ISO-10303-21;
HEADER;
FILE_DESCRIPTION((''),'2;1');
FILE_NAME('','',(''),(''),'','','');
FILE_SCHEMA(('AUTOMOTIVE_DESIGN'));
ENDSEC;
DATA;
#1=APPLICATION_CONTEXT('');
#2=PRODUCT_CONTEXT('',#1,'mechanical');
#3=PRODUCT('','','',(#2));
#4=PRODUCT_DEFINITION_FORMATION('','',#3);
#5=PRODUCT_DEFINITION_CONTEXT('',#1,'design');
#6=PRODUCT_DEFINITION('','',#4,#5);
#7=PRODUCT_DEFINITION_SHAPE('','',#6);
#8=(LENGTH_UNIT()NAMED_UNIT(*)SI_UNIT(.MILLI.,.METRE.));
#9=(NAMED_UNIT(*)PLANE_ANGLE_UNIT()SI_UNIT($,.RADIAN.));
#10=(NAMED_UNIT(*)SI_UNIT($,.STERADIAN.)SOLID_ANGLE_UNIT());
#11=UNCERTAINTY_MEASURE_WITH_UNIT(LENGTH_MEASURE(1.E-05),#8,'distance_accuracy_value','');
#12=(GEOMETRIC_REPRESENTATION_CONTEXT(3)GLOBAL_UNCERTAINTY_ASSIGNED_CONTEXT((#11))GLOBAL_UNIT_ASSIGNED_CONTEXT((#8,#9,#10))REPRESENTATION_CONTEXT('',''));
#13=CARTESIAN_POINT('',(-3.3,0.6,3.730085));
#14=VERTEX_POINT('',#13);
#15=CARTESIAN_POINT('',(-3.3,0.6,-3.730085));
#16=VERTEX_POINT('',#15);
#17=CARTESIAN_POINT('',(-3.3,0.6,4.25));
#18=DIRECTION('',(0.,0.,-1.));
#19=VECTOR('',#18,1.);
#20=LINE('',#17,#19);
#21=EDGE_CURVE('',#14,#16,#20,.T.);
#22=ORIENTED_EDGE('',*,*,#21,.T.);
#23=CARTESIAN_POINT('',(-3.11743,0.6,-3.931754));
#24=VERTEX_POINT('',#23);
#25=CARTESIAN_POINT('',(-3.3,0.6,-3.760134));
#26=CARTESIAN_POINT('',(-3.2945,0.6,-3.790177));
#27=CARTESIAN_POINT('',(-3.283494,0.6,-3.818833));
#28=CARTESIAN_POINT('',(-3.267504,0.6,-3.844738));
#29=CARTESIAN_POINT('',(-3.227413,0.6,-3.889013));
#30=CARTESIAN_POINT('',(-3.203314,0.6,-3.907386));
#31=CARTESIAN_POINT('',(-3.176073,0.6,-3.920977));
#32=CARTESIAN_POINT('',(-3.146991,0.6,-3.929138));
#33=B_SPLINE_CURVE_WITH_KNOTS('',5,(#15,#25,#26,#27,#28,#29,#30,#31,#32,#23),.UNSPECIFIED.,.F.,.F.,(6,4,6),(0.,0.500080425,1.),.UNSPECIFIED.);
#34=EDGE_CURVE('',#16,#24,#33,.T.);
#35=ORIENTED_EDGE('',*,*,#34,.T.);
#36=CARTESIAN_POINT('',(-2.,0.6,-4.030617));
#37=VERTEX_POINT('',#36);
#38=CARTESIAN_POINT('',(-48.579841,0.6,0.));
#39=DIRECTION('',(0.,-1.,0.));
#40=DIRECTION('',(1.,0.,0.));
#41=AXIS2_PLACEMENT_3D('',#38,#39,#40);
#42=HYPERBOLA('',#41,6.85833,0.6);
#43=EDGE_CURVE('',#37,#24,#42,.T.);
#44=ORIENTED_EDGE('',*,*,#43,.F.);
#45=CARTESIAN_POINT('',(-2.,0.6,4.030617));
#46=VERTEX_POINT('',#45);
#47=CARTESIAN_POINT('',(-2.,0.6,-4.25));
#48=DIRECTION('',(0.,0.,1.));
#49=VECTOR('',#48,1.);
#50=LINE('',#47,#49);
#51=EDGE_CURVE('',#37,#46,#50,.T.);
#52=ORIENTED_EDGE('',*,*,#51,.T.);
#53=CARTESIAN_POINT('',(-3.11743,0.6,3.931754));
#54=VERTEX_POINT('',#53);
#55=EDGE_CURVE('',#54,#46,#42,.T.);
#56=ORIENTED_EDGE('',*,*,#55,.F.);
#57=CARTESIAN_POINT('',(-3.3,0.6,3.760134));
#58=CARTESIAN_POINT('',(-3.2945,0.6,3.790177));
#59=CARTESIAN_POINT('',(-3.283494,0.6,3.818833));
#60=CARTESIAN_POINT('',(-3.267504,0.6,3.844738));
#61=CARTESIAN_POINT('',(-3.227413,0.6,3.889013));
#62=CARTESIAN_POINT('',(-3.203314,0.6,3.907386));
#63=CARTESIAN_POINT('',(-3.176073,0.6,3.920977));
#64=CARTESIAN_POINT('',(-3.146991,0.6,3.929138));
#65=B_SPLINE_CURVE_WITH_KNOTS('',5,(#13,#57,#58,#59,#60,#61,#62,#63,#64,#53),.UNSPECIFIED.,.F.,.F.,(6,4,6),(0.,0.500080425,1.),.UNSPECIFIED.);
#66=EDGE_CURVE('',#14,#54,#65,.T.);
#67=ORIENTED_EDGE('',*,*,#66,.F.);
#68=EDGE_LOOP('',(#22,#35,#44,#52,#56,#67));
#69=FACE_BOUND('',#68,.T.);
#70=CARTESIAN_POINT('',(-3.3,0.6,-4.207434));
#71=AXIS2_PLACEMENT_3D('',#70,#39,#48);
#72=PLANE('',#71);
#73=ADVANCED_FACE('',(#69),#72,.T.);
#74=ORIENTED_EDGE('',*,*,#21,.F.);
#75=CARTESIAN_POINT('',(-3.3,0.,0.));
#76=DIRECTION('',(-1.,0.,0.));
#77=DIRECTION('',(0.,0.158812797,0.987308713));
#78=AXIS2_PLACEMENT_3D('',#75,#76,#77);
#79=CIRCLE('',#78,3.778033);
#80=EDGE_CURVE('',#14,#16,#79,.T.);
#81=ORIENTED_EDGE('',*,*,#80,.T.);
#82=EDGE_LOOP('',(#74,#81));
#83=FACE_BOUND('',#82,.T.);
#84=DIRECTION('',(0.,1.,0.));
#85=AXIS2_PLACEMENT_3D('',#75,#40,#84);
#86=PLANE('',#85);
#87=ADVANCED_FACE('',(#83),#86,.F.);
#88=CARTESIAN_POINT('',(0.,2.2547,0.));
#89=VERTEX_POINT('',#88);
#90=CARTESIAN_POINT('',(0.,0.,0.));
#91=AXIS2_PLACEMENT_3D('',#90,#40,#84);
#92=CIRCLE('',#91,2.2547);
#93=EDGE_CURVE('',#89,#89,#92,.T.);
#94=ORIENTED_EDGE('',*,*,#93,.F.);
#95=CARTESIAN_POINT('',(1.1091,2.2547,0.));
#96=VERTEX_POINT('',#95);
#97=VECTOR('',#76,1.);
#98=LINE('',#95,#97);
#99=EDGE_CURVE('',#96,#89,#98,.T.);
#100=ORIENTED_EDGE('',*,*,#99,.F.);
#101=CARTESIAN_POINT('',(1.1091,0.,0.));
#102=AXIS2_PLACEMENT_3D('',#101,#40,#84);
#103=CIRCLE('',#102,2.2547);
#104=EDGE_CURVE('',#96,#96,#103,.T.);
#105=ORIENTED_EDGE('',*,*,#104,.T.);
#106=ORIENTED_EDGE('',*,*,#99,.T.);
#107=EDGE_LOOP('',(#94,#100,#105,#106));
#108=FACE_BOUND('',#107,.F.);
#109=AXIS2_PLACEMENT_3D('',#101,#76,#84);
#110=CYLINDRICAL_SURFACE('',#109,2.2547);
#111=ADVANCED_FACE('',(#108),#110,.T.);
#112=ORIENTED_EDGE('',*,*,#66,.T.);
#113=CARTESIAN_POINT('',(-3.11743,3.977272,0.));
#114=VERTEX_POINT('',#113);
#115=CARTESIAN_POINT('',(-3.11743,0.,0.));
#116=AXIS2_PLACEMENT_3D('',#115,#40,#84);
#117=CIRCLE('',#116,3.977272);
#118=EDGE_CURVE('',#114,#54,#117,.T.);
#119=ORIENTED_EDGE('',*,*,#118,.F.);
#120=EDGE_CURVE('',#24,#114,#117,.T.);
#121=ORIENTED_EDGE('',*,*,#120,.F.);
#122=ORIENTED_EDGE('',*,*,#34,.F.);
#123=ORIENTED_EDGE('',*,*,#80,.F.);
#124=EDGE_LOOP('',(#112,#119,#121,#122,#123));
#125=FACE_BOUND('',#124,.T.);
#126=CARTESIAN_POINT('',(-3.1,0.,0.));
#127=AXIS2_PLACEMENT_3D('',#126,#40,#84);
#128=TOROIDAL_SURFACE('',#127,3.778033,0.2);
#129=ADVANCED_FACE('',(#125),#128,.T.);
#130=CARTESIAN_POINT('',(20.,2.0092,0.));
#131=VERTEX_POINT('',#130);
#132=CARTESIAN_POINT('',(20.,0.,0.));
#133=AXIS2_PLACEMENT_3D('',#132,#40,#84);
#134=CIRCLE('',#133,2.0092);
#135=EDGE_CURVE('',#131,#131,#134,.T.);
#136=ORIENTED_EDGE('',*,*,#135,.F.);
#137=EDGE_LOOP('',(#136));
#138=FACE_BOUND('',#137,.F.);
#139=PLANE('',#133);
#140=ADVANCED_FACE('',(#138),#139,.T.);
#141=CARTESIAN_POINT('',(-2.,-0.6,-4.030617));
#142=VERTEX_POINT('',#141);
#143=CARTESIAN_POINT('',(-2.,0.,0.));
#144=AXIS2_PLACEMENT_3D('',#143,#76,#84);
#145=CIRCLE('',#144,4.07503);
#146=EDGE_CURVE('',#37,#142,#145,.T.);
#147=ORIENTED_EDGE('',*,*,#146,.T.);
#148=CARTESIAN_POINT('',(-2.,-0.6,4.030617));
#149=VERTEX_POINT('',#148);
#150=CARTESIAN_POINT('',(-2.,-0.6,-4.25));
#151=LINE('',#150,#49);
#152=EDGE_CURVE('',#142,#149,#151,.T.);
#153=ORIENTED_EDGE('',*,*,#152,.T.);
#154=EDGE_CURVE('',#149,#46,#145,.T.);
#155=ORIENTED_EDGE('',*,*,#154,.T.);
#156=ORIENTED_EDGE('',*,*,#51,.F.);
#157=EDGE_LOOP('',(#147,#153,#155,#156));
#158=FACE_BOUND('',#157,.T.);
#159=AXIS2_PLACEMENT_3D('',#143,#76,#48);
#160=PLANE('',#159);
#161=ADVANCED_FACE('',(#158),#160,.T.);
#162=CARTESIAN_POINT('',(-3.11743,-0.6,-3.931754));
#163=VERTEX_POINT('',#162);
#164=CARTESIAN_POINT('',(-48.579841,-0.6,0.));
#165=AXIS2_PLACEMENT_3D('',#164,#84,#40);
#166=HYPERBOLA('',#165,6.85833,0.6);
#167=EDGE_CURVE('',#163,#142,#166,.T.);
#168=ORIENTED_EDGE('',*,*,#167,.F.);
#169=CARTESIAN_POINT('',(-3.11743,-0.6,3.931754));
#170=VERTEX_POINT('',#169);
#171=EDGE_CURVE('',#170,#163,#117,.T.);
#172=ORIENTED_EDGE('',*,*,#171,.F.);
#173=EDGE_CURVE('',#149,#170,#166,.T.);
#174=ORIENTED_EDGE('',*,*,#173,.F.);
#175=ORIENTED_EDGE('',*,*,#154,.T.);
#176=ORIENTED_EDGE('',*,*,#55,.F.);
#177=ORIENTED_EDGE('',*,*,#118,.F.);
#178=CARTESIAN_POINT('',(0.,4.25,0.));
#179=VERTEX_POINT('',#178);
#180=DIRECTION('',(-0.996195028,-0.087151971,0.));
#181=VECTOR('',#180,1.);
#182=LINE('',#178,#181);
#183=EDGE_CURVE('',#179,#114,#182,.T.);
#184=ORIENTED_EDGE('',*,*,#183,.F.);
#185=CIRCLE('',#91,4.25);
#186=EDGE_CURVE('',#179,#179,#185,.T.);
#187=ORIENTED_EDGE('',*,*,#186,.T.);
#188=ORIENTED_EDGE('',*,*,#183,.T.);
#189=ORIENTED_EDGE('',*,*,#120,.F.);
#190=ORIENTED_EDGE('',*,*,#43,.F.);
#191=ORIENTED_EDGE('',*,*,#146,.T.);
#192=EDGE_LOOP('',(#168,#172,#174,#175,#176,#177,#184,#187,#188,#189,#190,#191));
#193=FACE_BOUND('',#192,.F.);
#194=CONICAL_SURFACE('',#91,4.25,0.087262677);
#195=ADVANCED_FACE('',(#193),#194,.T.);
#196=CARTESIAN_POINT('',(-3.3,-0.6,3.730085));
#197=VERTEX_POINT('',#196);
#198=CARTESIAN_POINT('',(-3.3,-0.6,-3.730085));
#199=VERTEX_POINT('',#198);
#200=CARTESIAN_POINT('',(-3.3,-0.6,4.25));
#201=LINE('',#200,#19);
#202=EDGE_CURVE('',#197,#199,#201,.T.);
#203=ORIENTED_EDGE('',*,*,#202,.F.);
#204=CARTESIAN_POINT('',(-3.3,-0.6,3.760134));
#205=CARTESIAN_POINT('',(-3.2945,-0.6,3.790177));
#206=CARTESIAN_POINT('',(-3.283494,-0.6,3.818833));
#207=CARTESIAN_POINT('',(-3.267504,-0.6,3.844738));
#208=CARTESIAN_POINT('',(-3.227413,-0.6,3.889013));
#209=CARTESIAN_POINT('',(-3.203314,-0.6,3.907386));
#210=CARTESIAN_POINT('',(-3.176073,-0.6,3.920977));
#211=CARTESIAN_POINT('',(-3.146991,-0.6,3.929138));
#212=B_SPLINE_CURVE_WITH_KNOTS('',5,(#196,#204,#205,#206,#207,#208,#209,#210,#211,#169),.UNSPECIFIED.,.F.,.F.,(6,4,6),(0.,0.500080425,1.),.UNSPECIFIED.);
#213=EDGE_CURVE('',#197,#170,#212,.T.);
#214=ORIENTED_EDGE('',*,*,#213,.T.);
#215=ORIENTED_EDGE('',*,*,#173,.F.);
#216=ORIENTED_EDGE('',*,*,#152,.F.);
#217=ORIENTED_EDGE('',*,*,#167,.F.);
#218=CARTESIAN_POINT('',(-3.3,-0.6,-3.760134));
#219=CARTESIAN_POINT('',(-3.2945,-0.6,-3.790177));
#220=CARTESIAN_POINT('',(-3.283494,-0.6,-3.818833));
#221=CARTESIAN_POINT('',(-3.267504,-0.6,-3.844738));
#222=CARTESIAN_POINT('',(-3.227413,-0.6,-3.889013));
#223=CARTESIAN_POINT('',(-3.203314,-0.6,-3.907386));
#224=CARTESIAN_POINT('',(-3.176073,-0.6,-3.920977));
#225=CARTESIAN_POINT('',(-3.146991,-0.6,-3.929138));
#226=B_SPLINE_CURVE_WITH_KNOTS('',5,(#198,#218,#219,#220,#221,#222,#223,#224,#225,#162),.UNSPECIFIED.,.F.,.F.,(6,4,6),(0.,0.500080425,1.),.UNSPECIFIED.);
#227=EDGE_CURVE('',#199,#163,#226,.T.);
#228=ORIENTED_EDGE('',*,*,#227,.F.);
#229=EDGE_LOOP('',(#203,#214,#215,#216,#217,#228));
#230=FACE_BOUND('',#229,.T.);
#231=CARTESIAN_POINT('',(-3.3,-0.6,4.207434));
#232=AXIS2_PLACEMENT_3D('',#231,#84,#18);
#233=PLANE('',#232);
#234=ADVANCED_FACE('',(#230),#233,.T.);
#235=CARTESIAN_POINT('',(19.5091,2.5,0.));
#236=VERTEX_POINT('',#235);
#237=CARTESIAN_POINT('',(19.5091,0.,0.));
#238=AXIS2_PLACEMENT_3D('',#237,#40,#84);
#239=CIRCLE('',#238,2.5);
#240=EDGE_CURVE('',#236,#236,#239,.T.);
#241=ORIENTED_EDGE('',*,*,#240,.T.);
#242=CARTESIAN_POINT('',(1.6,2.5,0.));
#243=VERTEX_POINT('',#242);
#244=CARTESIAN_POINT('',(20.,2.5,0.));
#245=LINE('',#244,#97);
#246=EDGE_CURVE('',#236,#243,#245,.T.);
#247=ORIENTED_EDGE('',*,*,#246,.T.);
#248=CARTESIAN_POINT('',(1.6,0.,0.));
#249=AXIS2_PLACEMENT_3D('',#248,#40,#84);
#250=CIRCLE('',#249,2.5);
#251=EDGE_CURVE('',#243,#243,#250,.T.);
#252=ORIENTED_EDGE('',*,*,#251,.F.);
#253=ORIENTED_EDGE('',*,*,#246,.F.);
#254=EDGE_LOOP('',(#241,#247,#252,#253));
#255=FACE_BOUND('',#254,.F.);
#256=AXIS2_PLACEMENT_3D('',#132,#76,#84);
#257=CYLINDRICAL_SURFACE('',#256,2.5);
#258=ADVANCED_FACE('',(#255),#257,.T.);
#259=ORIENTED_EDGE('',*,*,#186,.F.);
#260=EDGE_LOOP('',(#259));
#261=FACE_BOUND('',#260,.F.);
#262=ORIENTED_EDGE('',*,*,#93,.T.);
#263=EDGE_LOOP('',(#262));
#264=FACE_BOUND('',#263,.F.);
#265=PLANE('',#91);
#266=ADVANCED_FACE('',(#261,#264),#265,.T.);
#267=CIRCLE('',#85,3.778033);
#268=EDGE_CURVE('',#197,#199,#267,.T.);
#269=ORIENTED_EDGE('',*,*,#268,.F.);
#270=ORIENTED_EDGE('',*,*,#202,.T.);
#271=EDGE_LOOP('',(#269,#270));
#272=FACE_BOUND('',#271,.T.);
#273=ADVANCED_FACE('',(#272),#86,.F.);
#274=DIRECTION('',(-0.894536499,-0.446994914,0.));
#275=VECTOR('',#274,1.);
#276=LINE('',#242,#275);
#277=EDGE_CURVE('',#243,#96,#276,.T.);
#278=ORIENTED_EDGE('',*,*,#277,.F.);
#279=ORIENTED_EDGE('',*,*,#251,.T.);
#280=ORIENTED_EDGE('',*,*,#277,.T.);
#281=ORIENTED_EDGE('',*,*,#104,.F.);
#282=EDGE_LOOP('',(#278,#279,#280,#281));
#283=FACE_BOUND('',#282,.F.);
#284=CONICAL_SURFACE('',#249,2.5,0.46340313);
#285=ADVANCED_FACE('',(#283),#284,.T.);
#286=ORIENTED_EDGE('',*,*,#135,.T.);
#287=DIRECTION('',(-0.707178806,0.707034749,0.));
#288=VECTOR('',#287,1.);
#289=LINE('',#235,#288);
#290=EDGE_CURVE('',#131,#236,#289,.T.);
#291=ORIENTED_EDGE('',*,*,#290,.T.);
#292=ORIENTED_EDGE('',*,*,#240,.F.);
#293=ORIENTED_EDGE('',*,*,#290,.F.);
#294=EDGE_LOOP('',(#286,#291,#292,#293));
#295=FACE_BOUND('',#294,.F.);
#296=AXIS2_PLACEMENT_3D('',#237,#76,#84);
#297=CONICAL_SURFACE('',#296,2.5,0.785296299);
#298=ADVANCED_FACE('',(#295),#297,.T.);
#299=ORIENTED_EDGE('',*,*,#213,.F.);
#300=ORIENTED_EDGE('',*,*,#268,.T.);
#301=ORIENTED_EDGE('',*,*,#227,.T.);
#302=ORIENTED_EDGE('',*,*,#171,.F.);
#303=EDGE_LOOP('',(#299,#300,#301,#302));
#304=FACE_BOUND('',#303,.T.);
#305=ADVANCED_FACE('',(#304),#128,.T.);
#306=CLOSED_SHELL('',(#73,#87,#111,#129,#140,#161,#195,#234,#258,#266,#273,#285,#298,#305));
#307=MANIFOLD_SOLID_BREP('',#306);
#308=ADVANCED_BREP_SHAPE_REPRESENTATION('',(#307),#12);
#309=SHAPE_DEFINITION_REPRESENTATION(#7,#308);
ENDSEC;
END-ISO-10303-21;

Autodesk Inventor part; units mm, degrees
ref_plane "YZ Plane" through (0, 0, 0) normal (1, 0, 0) x (0, 1, 0)
ref_plane "XZ Plane" through (0, 0, 0) normal (0, 1, 0) x (-1, 0, 0)
sketch "Sketch1" plane through (0, 0, 0) normal (0, 0, 1) x (1, 0, 0)
  line L0 (-3.3, 0) -> (20, 0)
  line L1 (20, 0) -> (20, 2.5)
  line L2 (20, 2.5) -> (1.6, 2.5)
  line L3 (1.6, 2.5) -> (1.1091, 2.2547)
  line L4 (1.1091, 2.2547) -> (0, 2.2547)
  line L5 (0, 2.2547) -> (0, 4.25)
  line L6 (-7.96, 0) -> (24.66, 0) projected
  line L7 (0, -0.85) -> (0, 5.1) projected
  line L8 (-3.3, 0) -> (-3.3, 3.9613)
  line L9 (0, 4.25) -> (-3.3, 3.9613)
  line L10 (1.6, 2.5) -> (0, 2.5) construction
  dimension "d0" = 20
  dimension "d1" = 18.4
  dimension "d2" = 0.4909
  dimension "d3" = 3.3
  dimension "d4" = 5
  dimension "d5" = 4.5095
  dimension "d9" = 8.5
  dimension "d10" = 5
revolve "Body" add sketch "Sketch1" angle 360 about axis through (-3.3, 0, 0) along (1, 0, 0)
sketch "Sketch2" plane through (-3.3, 0, 0) normal (-1, 0, 0) x (0, 0, 1)
  circle A0 centre (0, 0) radius 4.25 projected
  line L0 (0, 0) -> (0, 3.9613) projected
  line L1 (-4.25, 0.6) -> (4.25, 0.6)
  line L2 (4.25, 0.6) -> (4.25, -0.6)
  line L3 (4.25, -0.6) -> (-4.25, -0.6)
  line L4 (-4.25, -0.6) -> (-4.25, 0.6)
  line L5 (-4.25, 0) -> (4.25, 0) construction
  line L6 (0, 0.6) -> (0, -0.6) construction
  point P0 (0, 0)
  dimension "d11" = 1.2
  dimension "d12" = 8.5
fillet "Fillet1" radius 0.2 1 edges at (-3.3, -3.9613, 0)
extrude "Slot" cut sketch "Sketch2" against normal blind 1.3 contours A0 L3 L1 | L2 L3 A0 | A0 L1 L2 | A0 L4 L1 | L3 L4 A0
thread "Thread" size "M5x0.8" class "6g" standard "ISO Metric profile" length 18.4
chamfer "Chamfer1" distance 0.4908 distance2 0.4909 1 edges at (20, -2.5, 0) measured on face at (20, 1.2612, -0.6619)
ref_plane "Work Plane1" through (30.1625, 0, 0) normal (0, 0, -1) x (1, 0, 0)
equation "\"d11\" = SBR"
equation "\"d12\" = KOD"
equation "\"d19\" = STI"
equation "\"d14\" = RR"
equation "\"d15\" = GEL"
equation "\"d17\" = -0.5 * SPD + 0.5 * GD"
equation "\"d0\" = NLG"
equation "\"d1\" = GEL"
equation "\"d3\" = KOH"
equation "\"d4\" = GD"
equation "\"d5\" = BDM"
equation "\"d9\" = KOD"
equation "\"d10\" = KEWI"
equation "\"GD\" = NND"
equation "\"NLG\" = 20"
equation "\"GEL\" = 18.4"
equation "\"KOD\" = 8.5"
equation "\"KOH\" = 3.3"
equation "\"GAL\" = 0.61345 * PTC"
equation "\"SPD\" = NND - 1.2269 * PTC"
equation "\"BDM\" = 4.5095"
equation "\"GUL\" = 0.61345 * PTC"
equation "\"RR\" = 0.2"
equation "\"SBR\" = 1.2"
equation "\"STI\" = 1.3"
equation "\"KEWI\" = 5deg"
equation "\"PTC\" = 0.8"
equation "\"THREADDIA\" = 5"
equation "\"TOA\" = 30deg"
equation "\"NND\" = 5"
equation "\"GD1\" = THREADDIA - 1.2269 * PTC"
properties part number "ISO 1207 - M5 x 20" material "Stainless Steel, 440C"
